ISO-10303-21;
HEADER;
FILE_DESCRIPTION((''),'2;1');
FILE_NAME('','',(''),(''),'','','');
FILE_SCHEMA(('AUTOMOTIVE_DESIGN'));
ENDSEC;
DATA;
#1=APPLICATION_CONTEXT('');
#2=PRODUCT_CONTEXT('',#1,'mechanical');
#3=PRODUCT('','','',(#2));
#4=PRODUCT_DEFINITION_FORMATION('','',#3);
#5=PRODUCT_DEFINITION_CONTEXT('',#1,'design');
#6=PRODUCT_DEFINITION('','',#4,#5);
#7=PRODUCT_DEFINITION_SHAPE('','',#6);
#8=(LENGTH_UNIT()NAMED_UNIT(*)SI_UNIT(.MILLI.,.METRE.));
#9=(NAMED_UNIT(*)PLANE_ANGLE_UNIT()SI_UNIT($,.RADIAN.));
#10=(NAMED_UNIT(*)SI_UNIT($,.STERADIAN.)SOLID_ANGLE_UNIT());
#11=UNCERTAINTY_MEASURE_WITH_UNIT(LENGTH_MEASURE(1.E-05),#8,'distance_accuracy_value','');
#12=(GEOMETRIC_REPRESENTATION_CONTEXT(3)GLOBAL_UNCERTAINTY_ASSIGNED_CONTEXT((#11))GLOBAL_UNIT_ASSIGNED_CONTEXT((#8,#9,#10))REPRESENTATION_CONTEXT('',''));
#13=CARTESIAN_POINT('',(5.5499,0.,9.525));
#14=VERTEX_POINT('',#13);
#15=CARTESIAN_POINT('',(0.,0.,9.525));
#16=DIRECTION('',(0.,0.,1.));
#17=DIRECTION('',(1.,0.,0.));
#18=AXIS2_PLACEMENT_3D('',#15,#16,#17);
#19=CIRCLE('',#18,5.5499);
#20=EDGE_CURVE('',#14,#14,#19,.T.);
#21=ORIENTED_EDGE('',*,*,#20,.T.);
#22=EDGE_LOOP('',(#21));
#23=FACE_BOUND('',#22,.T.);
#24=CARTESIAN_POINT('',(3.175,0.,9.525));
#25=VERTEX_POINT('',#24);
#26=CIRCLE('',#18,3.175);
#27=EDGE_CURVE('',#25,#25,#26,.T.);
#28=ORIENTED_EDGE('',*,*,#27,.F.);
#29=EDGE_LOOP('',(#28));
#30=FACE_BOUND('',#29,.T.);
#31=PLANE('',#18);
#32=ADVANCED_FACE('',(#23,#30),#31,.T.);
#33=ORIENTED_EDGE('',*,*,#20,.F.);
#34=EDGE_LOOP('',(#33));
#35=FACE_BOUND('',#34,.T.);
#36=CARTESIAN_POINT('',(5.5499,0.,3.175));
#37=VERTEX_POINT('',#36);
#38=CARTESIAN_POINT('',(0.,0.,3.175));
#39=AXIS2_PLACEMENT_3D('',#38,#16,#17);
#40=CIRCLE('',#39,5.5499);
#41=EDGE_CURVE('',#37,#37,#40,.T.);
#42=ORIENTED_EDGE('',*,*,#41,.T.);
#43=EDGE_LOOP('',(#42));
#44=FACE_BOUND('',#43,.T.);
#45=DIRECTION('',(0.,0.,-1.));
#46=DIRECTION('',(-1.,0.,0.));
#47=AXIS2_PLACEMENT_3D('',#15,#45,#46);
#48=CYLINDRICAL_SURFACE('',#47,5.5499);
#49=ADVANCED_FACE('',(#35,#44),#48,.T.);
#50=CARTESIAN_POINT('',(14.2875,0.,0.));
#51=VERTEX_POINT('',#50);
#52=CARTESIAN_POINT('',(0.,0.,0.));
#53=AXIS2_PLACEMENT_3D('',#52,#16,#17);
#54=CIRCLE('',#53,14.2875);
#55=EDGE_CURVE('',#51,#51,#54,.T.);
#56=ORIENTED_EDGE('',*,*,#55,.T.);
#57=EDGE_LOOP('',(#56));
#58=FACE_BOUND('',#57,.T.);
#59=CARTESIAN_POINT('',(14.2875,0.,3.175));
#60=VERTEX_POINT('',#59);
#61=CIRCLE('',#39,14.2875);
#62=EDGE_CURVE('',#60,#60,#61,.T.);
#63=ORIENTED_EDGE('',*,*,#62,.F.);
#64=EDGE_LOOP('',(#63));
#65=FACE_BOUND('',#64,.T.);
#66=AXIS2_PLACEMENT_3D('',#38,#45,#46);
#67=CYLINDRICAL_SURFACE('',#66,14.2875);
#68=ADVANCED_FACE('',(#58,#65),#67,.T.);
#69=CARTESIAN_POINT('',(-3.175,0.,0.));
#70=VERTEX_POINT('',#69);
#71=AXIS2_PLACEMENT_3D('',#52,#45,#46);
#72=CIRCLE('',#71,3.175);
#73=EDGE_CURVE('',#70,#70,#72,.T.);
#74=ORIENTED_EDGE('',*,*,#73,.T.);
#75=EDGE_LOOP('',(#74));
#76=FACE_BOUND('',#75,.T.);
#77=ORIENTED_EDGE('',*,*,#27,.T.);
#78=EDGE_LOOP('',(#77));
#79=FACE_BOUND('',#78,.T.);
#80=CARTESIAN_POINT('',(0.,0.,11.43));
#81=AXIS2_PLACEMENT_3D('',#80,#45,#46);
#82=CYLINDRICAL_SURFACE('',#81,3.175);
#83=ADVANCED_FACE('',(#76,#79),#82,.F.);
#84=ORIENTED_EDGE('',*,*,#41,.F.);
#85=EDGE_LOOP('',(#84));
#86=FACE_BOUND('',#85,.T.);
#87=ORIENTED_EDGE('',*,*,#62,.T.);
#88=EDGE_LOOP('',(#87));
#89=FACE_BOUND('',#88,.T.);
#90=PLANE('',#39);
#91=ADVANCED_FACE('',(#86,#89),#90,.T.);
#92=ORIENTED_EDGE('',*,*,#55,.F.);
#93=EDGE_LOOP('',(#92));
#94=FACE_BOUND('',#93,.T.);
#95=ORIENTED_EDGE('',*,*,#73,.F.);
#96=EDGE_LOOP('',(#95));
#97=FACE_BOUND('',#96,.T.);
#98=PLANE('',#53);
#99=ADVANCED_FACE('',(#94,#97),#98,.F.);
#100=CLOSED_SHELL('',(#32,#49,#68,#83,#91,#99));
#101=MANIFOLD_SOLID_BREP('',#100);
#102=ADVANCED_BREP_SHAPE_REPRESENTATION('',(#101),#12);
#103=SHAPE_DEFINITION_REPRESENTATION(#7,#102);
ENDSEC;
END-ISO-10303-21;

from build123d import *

# Parameters (mm, degrees)
SKETCH1_R           = 14.2875
BOSS_EXTRUDE1_DEPTH = 3.175
SKETCH2_R           = 5.5499
BOSS_EXTRUDE2_DEPTH = 6.35
SKETCH3_R           = 3.175
CUT_EXTRUDE1_DEPTH  = 11.43


with BuildPart() as part:
    # Sketch1 → Boss-Extrude1 (new body)
    with BuildSketch(Plane.XY):
        Circle(SKETCH1_R)
    extrude(amount=BOSS_EXTRUDE1_DEPTH)

    # Sketch2 → Boss-Extrude2 (add)
    with BuildSketch(Plane.XY.offset(3.175)):
        Circle(SKETCH2_R)
    extrude(amount=BOSS_EXTRUDE2_DEPTH)

    # Sketch3 → Cut-Extrude1 (cut)
    with BuildSketch(Plane(origin=(0, 0, 0), x_dir=(-1, 0, 0), z_dir=(0, 0, -1))):
        Circle(SKETCH3_R)
    extrude(amount=-CUT_EXTRUDE1_DEPTH, mode=Mode.SUBTRACT)


solid = part.part
